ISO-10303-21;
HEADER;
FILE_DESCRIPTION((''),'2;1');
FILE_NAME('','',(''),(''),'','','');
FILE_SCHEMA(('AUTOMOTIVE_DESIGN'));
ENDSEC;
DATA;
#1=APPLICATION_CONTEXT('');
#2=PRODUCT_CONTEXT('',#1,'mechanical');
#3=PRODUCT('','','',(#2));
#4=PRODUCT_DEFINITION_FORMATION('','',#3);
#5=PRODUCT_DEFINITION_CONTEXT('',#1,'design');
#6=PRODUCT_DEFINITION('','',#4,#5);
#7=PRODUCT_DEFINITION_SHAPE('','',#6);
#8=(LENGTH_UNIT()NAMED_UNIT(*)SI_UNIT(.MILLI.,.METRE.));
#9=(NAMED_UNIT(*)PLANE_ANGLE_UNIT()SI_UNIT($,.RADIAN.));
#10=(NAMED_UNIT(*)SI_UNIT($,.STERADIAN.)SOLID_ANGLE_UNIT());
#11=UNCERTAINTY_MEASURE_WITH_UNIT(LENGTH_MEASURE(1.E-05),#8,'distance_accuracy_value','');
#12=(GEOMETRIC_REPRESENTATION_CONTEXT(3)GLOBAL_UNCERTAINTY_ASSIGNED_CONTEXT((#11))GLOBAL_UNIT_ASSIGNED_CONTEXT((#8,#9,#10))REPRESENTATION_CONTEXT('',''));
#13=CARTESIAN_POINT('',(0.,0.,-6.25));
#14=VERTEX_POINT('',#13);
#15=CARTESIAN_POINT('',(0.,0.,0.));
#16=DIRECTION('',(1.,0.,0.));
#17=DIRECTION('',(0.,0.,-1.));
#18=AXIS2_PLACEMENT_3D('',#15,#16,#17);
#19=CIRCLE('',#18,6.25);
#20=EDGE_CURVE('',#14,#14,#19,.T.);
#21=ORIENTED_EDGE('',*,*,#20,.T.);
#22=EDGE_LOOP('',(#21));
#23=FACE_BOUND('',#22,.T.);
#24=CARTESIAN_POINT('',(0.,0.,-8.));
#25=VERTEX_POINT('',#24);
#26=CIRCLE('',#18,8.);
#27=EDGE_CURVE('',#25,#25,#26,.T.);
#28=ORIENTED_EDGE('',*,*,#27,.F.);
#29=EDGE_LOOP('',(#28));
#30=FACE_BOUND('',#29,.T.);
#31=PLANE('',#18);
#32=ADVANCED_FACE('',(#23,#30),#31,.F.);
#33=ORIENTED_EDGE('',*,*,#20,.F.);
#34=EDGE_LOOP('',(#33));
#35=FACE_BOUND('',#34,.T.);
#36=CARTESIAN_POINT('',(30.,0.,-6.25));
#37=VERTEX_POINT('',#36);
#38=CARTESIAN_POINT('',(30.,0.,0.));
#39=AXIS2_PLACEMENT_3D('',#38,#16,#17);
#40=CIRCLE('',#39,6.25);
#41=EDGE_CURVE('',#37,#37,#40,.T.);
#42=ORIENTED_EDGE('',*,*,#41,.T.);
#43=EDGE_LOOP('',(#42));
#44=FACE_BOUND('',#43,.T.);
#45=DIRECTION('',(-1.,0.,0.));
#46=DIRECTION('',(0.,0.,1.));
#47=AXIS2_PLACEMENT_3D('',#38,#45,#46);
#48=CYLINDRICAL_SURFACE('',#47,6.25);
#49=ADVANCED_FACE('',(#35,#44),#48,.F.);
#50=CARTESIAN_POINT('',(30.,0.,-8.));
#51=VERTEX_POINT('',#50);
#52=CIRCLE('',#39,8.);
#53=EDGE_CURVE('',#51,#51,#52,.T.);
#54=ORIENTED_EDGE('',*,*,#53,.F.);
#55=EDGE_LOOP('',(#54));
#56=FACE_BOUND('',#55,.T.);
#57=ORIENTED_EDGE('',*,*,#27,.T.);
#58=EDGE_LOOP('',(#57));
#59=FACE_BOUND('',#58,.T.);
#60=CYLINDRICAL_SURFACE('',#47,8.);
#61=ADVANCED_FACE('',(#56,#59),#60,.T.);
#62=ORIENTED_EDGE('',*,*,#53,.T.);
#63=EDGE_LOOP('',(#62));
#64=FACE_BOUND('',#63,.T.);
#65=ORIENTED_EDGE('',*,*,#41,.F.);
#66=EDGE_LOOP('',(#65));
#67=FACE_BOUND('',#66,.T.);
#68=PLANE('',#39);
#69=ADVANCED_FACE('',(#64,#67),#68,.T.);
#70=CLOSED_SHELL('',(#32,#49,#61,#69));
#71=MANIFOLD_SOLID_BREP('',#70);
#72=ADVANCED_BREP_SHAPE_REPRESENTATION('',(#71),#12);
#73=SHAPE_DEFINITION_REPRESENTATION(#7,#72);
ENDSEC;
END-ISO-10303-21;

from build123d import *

# Parameters (mm, degrees)
SKETCH_1_R      = 8
SKETCH_1_R_2    = 6.25
EXTRUDE_1_DEPTH = 30


with BuildPart() as part:
    # ｽｹｯﾁ1 → ﾎﾞｽ - 押し出し1 (new body)
    with BuildSketch(Plane(origin=(0, 0, 0), x_dir=(0, 0, -1), z_dir=(1, 0, 0))):
        Circle(SKETCH_1_R)
        Circle(SKETCH_1_R_2, mode=Mode.SUBTRACT)
    extrude(amount=EXTRUDE_1_DEPTH)


solid = part.part
